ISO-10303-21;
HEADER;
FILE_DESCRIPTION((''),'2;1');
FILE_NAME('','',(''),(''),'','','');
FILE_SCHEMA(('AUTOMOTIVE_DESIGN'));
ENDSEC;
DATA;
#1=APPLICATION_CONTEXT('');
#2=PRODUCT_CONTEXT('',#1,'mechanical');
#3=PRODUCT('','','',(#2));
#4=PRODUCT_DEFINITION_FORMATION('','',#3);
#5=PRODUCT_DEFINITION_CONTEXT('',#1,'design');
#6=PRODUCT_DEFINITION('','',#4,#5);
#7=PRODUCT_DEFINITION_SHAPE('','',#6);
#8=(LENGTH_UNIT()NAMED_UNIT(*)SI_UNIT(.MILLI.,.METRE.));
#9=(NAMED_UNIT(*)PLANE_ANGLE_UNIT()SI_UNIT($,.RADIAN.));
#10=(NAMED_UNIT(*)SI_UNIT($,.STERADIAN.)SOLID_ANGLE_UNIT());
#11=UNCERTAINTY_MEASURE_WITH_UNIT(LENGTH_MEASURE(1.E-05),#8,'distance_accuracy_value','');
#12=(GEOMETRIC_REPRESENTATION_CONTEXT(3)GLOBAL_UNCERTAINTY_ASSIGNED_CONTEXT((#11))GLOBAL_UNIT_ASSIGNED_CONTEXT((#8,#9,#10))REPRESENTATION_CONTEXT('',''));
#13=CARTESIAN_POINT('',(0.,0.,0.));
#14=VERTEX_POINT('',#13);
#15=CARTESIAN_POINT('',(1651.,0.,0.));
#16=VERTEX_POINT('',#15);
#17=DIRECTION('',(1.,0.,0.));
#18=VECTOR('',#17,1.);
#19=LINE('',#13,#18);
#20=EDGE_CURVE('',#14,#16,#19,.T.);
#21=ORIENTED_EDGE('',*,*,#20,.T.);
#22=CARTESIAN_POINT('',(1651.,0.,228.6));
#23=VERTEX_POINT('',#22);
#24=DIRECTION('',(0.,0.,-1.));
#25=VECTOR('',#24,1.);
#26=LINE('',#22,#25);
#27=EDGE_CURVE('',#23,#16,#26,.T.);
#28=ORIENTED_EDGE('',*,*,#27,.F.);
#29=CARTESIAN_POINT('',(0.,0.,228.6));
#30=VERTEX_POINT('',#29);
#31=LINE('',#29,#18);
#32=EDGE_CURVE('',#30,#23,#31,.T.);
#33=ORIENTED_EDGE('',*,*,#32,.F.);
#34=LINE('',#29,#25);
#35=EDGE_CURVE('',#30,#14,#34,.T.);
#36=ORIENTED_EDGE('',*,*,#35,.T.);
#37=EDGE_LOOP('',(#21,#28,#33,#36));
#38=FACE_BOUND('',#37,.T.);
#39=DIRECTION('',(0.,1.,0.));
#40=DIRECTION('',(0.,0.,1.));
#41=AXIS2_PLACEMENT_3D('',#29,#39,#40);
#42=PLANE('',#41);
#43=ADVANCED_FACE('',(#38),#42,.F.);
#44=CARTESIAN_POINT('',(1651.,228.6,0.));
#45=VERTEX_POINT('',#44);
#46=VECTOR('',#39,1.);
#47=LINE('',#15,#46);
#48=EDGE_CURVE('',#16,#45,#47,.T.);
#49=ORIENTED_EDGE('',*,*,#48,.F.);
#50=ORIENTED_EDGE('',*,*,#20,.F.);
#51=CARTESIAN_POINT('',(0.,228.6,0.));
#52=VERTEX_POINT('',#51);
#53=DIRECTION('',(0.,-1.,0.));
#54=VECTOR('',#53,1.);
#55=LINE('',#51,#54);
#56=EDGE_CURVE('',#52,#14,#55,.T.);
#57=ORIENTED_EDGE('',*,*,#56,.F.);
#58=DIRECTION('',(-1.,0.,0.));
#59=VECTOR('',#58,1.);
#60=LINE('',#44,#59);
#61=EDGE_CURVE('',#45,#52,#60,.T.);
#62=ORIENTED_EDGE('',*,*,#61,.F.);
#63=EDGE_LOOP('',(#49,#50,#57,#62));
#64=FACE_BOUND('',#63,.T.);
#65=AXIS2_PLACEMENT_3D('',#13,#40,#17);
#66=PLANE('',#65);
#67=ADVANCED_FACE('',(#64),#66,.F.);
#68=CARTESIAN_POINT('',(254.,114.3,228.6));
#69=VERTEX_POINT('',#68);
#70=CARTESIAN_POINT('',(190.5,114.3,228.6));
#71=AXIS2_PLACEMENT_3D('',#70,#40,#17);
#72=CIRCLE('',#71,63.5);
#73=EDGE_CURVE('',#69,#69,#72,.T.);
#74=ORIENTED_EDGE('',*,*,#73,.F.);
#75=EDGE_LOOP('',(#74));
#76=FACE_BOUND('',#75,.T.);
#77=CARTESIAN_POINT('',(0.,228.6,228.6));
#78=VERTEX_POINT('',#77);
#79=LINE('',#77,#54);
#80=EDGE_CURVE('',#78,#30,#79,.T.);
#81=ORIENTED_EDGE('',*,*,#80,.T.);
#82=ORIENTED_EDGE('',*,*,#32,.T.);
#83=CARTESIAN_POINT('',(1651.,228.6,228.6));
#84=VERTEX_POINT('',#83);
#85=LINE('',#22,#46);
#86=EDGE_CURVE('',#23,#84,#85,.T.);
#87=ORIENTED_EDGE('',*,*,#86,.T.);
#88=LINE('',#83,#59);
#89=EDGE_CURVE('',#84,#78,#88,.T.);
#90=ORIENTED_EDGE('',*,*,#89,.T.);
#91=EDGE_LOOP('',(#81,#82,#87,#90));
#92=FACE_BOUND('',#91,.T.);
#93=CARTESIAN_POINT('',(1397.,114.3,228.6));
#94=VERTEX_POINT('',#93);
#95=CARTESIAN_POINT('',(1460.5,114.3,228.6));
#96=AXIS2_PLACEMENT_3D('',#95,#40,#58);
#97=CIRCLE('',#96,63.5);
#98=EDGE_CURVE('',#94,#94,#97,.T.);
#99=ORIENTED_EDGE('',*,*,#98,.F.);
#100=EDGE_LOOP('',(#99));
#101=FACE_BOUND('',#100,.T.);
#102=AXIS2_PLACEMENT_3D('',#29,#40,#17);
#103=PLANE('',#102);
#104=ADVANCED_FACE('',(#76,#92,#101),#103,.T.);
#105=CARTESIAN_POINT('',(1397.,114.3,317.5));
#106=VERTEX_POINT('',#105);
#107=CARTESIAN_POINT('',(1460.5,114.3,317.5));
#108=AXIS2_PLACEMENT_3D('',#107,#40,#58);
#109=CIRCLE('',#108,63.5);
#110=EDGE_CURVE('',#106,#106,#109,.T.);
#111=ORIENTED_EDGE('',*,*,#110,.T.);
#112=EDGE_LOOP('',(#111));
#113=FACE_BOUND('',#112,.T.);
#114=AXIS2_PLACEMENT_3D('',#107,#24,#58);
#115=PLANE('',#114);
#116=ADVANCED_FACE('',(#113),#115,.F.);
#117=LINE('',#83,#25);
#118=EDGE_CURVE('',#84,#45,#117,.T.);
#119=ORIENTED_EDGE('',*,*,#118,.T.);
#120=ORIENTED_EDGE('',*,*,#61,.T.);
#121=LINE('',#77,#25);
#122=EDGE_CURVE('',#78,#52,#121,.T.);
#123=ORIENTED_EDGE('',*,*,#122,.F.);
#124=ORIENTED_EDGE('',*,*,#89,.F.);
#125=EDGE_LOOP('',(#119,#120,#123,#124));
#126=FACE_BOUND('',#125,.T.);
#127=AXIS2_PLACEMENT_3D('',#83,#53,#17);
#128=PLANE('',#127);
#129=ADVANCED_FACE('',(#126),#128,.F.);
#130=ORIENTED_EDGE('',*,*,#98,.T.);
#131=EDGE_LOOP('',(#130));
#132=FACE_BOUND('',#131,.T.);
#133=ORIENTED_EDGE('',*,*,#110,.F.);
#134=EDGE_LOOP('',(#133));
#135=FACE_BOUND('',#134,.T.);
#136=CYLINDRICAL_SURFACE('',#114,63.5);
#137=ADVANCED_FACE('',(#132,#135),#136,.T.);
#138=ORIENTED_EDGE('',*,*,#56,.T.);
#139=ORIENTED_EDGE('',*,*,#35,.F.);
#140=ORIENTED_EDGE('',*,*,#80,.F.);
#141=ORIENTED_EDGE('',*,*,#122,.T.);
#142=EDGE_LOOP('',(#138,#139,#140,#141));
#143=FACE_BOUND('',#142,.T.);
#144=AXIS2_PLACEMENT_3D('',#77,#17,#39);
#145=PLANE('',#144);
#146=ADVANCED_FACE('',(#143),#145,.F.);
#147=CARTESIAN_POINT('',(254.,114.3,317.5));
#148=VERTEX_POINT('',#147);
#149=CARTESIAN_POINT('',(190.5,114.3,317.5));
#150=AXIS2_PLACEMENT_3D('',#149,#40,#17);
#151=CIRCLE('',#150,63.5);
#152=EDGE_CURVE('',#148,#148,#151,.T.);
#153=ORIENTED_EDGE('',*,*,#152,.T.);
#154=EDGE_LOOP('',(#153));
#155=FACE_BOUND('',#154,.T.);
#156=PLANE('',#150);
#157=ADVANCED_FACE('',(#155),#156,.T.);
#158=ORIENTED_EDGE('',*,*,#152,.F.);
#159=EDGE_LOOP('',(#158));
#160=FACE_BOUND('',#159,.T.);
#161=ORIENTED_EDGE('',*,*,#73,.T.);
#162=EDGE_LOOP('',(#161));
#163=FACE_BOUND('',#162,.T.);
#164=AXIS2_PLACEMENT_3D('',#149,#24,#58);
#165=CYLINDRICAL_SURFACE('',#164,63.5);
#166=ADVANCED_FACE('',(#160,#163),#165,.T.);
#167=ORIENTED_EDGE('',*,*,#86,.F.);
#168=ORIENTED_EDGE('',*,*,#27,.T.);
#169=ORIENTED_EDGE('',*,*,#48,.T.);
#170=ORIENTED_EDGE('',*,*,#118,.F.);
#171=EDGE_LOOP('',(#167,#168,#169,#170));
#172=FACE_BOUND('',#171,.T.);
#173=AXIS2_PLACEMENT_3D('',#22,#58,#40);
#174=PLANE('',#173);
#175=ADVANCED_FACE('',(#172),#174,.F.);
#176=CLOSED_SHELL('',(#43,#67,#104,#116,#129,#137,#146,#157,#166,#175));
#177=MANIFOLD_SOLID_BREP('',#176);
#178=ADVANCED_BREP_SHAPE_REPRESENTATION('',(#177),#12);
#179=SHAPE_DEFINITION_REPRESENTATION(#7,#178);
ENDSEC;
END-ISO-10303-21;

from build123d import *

# Parameters (mm, degrees)
SKETCH1_W           = 1651
SKETCH1_H           = 228.6
BOSS_EXTRUDE1_DEPTH = 228.6
SKETCH2_R           = 63.5
BOSS_EXTRUDE2_DEPTH = 88.9


with BuildPart() as part:
    # Sketch1 → Boss-Extrude1 (new body)
    with BuildSketch(Plane.XY):
        with Locations((825.5, 114.3)):
            Rectangle(SKETCH1_W, SKETCH1_H)
    extrude(amount=BOSS_EXTRUDE1_DEPTH)

    # Sketch2 → Boss-Extrude2 (add)
    with BuildSketch(Plane.XY.offset(228.6)):
        with Locations((190.5, 114.3)):
            Circle(SKETCH2_R)
        with Locations(Location((1460.5, 114.3, 0), (0, 0, 180))):  # turned: the seam where the file's is
            Circle(SKETCH2_R)
    extrude(amount=BOSS_EXTRUDE2_DEPTH)


solid = part.part
